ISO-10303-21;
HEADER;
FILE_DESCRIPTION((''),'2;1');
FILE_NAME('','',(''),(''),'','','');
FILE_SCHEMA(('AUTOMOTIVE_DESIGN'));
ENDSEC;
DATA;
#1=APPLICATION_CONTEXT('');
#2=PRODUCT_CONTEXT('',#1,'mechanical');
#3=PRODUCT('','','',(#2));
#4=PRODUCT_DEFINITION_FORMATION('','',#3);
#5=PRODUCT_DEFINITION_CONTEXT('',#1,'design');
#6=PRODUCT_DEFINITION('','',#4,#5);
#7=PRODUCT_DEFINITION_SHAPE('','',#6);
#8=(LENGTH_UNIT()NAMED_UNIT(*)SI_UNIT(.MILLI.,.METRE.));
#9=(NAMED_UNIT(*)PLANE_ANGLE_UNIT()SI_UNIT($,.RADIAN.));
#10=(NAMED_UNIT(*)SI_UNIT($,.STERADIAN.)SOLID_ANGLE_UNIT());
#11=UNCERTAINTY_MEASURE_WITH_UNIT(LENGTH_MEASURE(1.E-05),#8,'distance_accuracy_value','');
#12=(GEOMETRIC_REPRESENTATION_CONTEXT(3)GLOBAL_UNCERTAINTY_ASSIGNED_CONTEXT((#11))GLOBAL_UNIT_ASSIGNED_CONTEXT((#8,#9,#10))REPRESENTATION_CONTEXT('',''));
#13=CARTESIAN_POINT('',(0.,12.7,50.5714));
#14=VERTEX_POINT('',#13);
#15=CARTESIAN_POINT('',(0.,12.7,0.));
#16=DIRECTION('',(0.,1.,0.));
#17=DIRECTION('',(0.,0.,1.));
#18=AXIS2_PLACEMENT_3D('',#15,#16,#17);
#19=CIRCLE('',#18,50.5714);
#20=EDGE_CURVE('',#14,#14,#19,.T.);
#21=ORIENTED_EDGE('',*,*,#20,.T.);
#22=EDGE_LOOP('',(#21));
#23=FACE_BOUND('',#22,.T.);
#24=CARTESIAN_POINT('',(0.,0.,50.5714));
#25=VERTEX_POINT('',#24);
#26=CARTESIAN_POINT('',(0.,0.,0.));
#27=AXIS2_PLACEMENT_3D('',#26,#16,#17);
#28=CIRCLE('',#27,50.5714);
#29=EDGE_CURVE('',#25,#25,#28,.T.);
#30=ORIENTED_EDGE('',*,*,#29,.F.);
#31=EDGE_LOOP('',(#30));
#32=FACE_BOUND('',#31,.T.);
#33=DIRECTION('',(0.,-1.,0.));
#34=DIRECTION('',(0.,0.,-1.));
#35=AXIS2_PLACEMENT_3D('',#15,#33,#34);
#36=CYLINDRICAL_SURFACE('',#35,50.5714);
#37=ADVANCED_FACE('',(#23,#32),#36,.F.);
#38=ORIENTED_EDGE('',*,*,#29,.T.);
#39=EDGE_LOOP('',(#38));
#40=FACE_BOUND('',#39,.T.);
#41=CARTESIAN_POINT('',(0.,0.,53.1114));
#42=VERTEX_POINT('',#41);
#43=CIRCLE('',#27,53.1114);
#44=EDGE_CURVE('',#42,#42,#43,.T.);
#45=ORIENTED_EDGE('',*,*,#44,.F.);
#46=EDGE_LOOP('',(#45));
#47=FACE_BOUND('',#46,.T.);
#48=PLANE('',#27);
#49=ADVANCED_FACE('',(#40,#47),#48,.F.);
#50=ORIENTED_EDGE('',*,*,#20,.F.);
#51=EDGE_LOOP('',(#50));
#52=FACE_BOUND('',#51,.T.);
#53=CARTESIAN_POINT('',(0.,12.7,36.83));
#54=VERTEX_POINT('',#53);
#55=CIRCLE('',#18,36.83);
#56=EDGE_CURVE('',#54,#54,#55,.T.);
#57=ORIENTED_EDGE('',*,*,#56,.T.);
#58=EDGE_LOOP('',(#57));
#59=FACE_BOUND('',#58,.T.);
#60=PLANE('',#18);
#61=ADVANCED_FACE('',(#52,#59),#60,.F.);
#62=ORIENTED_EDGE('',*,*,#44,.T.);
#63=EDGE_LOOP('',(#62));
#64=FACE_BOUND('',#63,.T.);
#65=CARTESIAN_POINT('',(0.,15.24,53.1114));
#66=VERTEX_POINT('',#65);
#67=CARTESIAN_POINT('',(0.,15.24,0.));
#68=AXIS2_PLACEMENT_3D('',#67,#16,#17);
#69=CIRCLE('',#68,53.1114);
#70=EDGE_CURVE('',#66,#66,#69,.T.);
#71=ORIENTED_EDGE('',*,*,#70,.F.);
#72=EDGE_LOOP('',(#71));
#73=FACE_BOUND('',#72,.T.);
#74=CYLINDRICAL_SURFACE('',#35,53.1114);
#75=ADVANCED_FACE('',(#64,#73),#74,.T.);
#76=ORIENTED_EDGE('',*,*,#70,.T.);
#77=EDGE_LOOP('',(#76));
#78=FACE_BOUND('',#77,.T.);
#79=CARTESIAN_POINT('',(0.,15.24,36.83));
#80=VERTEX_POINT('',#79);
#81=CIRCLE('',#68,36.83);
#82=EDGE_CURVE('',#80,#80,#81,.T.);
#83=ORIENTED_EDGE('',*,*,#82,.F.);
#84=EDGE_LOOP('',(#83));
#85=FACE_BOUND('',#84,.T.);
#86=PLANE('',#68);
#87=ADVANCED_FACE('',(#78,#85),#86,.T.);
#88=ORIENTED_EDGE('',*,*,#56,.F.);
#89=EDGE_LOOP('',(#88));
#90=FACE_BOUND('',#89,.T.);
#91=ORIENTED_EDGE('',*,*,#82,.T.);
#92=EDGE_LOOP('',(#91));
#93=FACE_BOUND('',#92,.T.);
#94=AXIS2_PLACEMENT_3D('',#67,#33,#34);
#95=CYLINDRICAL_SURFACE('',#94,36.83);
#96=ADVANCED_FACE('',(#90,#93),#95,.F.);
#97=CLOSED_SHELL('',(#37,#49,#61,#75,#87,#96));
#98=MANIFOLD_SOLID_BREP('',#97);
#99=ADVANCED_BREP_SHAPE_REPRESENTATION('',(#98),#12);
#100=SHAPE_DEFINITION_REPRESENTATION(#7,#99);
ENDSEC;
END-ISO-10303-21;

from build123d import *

# Parameters (mm, degrees)
SKETCH1_R           = 53.1114
SKETCH1_R_2         = 50.5714
BOSS_EXTRUDE1_DEPTH = 12.7
SKETCH2_R           = 53.1114
SKETCH2_R_2         = 36.83
BOSS_EXTRUDE2_DEPTH = 2.54


with BuildPart() as part:
    # Sketch1 → Boss-Extrude1 (new body)
    with BuildSketch(Plane(origin=(0, 0, 0), x_dir=(1, 0, 0), z_dir=(0, 1, 0))):
        Circle(SKETCH1_R)
        Circle(SKETCH1_R_2, mode=Mode.SUBTRACT)
    extrude(amount=BOSS_EXTRUDE1_DEPTH)

    # Sketch2 → Boss-Extrude2 (add)
    with BuildSketch(Plane(origin=(0, 12.7, 0), x_dir=(1, 0, 0), z_dir=(0, 1, 0))):
        Circle(SKETCH2_R)
        Circle(SKETCH2_R_2, mode=Mode.SUBTRACT)
    extrude(amount=BOSS_EXTRUDE2_DEPTH)


solid = part.part
